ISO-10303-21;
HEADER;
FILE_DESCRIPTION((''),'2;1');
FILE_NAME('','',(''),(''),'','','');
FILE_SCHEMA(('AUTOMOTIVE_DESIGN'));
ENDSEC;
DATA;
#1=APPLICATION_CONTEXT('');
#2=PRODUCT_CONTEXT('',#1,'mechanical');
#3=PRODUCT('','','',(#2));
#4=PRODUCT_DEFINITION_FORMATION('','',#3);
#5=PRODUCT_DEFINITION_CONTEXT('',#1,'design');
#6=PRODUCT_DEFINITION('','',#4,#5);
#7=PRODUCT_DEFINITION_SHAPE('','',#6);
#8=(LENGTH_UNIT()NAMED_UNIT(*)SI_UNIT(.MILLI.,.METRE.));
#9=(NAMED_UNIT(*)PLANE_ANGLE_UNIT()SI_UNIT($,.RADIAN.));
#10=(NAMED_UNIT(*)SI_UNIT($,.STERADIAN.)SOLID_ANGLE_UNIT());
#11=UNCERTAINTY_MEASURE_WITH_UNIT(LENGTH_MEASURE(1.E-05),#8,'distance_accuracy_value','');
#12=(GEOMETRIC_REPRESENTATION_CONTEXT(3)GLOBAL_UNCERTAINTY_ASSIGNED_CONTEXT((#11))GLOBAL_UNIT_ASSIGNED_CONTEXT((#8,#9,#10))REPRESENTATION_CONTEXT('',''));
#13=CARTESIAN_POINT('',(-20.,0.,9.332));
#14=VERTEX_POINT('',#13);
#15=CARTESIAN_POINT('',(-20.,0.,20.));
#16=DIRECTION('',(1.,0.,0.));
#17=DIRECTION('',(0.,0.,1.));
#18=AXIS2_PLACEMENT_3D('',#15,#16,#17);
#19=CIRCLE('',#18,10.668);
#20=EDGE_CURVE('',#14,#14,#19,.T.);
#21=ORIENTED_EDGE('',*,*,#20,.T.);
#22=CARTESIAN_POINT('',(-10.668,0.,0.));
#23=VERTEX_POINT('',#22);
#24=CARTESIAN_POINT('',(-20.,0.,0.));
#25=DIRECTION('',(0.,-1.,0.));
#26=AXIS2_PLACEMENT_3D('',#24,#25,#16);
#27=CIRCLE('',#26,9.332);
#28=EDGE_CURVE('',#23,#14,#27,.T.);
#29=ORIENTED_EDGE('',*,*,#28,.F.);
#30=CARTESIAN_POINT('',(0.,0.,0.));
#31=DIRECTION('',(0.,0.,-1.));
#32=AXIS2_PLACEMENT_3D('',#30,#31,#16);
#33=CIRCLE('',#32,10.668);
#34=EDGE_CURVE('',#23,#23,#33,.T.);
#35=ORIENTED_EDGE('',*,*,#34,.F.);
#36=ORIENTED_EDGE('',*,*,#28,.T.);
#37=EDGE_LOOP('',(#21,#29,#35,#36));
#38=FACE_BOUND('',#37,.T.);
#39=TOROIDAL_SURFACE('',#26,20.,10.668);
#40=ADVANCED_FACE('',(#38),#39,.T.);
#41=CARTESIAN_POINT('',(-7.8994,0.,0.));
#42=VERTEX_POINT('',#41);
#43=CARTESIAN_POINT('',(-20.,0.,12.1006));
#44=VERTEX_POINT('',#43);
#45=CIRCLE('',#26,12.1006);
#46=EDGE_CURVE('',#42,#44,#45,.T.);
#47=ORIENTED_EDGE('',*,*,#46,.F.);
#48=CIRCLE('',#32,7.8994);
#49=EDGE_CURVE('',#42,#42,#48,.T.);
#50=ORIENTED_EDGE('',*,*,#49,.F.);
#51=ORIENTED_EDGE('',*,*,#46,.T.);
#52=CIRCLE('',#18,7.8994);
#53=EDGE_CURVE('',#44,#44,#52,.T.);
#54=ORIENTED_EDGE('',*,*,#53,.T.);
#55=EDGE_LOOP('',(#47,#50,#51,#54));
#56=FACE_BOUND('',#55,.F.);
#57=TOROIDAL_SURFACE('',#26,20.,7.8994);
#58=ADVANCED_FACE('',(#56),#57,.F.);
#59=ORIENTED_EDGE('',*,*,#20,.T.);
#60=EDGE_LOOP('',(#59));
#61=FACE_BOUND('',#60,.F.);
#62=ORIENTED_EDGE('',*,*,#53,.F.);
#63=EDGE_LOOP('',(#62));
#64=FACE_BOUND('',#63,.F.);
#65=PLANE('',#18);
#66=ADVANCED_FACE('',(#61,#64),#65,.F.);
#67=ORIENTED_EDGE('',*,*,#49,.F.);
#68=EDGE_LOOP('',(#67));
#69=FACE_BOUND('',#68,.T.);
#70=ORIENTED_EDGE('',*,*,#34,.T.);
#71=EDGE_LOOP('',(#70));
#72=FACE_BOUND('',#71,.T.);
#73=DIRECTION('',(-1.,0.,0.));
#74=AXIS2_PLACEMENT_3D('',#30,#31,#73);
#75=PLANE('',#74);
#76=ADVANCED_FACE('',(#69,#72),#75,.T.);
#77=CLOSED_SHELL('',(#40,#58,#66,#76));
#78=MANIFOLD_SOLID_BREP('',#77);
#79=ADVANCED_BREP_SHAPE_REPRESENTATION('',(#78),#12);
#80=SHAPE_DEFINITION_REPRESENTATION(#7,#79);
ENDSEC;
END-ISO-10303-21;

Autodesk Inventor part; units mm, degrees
ref_plane "Start Plane" through (0, 0, 0) normal (0, 0, 1) x (1, 0, 0)
ref_plane "End Plane" through (0, 0, 31.4159) normal (0, 0, 1) x (1, 0, 0)
sketch "Sketch" plane through (0, 0, 0) normal (0, 0, -1) x (-1, 0, 0)
  circle A0 centre (0, 0) radius 7.8994
  circle A1 centre (0, 0) radius 10.668
  dimension "d0" = 21.336
  dimension "d1" = 2.7686
sketch "Sketch3" plane through (0, 0, 0) normal (0, 0, 1) x (1, 0, 0)
  line L0 (0, 0) -> (10, 0)
ref_plane "Work Plane3" through (0, 0, 0) normal (0, -1, 0) x (1, 0, 0)
ref_plane "Orientation Work Plane" through (0, 0, 0) normal (0, 0, -1) x (-1, 0, 0)
sketch3d "Sweep Path"
  arc A0 (0, 0, 0) -> (-20, 0, 20) centre (-20, 0, 0) ccw
sweep "Body" add profiles "Sketch" path "Sweep Path"
sketch "Sketch4" plane through (0, 0, 0) normal (0, -1, 0) x (1, 0, 0)
  line L0 (-2, 0) -> (12, 0) projected
  line L1 (-26.1336, 31.4159) -> (16.8016, 31.4159) projected
  dimension "d7" = 31.4159
equation "\"d0\" = G_H"
equation "\"d1\" = G_T"
equation "\"G_H\" = 21.336"
equation "\"G_T\" = 2.7686"
equation "\"G_L\" = d7"
equation "\"G_OFFSET_START\" = 0"
equation "\"G_OFFSET_END\" = 0"
equation "\"d5\" = G_OFFSET_END + B_L"
equation "\"B_L\" = 31.41593"
properties part number "ANSI - 1/2 x 0.109 - 1.237" material "Steel, Mild"
